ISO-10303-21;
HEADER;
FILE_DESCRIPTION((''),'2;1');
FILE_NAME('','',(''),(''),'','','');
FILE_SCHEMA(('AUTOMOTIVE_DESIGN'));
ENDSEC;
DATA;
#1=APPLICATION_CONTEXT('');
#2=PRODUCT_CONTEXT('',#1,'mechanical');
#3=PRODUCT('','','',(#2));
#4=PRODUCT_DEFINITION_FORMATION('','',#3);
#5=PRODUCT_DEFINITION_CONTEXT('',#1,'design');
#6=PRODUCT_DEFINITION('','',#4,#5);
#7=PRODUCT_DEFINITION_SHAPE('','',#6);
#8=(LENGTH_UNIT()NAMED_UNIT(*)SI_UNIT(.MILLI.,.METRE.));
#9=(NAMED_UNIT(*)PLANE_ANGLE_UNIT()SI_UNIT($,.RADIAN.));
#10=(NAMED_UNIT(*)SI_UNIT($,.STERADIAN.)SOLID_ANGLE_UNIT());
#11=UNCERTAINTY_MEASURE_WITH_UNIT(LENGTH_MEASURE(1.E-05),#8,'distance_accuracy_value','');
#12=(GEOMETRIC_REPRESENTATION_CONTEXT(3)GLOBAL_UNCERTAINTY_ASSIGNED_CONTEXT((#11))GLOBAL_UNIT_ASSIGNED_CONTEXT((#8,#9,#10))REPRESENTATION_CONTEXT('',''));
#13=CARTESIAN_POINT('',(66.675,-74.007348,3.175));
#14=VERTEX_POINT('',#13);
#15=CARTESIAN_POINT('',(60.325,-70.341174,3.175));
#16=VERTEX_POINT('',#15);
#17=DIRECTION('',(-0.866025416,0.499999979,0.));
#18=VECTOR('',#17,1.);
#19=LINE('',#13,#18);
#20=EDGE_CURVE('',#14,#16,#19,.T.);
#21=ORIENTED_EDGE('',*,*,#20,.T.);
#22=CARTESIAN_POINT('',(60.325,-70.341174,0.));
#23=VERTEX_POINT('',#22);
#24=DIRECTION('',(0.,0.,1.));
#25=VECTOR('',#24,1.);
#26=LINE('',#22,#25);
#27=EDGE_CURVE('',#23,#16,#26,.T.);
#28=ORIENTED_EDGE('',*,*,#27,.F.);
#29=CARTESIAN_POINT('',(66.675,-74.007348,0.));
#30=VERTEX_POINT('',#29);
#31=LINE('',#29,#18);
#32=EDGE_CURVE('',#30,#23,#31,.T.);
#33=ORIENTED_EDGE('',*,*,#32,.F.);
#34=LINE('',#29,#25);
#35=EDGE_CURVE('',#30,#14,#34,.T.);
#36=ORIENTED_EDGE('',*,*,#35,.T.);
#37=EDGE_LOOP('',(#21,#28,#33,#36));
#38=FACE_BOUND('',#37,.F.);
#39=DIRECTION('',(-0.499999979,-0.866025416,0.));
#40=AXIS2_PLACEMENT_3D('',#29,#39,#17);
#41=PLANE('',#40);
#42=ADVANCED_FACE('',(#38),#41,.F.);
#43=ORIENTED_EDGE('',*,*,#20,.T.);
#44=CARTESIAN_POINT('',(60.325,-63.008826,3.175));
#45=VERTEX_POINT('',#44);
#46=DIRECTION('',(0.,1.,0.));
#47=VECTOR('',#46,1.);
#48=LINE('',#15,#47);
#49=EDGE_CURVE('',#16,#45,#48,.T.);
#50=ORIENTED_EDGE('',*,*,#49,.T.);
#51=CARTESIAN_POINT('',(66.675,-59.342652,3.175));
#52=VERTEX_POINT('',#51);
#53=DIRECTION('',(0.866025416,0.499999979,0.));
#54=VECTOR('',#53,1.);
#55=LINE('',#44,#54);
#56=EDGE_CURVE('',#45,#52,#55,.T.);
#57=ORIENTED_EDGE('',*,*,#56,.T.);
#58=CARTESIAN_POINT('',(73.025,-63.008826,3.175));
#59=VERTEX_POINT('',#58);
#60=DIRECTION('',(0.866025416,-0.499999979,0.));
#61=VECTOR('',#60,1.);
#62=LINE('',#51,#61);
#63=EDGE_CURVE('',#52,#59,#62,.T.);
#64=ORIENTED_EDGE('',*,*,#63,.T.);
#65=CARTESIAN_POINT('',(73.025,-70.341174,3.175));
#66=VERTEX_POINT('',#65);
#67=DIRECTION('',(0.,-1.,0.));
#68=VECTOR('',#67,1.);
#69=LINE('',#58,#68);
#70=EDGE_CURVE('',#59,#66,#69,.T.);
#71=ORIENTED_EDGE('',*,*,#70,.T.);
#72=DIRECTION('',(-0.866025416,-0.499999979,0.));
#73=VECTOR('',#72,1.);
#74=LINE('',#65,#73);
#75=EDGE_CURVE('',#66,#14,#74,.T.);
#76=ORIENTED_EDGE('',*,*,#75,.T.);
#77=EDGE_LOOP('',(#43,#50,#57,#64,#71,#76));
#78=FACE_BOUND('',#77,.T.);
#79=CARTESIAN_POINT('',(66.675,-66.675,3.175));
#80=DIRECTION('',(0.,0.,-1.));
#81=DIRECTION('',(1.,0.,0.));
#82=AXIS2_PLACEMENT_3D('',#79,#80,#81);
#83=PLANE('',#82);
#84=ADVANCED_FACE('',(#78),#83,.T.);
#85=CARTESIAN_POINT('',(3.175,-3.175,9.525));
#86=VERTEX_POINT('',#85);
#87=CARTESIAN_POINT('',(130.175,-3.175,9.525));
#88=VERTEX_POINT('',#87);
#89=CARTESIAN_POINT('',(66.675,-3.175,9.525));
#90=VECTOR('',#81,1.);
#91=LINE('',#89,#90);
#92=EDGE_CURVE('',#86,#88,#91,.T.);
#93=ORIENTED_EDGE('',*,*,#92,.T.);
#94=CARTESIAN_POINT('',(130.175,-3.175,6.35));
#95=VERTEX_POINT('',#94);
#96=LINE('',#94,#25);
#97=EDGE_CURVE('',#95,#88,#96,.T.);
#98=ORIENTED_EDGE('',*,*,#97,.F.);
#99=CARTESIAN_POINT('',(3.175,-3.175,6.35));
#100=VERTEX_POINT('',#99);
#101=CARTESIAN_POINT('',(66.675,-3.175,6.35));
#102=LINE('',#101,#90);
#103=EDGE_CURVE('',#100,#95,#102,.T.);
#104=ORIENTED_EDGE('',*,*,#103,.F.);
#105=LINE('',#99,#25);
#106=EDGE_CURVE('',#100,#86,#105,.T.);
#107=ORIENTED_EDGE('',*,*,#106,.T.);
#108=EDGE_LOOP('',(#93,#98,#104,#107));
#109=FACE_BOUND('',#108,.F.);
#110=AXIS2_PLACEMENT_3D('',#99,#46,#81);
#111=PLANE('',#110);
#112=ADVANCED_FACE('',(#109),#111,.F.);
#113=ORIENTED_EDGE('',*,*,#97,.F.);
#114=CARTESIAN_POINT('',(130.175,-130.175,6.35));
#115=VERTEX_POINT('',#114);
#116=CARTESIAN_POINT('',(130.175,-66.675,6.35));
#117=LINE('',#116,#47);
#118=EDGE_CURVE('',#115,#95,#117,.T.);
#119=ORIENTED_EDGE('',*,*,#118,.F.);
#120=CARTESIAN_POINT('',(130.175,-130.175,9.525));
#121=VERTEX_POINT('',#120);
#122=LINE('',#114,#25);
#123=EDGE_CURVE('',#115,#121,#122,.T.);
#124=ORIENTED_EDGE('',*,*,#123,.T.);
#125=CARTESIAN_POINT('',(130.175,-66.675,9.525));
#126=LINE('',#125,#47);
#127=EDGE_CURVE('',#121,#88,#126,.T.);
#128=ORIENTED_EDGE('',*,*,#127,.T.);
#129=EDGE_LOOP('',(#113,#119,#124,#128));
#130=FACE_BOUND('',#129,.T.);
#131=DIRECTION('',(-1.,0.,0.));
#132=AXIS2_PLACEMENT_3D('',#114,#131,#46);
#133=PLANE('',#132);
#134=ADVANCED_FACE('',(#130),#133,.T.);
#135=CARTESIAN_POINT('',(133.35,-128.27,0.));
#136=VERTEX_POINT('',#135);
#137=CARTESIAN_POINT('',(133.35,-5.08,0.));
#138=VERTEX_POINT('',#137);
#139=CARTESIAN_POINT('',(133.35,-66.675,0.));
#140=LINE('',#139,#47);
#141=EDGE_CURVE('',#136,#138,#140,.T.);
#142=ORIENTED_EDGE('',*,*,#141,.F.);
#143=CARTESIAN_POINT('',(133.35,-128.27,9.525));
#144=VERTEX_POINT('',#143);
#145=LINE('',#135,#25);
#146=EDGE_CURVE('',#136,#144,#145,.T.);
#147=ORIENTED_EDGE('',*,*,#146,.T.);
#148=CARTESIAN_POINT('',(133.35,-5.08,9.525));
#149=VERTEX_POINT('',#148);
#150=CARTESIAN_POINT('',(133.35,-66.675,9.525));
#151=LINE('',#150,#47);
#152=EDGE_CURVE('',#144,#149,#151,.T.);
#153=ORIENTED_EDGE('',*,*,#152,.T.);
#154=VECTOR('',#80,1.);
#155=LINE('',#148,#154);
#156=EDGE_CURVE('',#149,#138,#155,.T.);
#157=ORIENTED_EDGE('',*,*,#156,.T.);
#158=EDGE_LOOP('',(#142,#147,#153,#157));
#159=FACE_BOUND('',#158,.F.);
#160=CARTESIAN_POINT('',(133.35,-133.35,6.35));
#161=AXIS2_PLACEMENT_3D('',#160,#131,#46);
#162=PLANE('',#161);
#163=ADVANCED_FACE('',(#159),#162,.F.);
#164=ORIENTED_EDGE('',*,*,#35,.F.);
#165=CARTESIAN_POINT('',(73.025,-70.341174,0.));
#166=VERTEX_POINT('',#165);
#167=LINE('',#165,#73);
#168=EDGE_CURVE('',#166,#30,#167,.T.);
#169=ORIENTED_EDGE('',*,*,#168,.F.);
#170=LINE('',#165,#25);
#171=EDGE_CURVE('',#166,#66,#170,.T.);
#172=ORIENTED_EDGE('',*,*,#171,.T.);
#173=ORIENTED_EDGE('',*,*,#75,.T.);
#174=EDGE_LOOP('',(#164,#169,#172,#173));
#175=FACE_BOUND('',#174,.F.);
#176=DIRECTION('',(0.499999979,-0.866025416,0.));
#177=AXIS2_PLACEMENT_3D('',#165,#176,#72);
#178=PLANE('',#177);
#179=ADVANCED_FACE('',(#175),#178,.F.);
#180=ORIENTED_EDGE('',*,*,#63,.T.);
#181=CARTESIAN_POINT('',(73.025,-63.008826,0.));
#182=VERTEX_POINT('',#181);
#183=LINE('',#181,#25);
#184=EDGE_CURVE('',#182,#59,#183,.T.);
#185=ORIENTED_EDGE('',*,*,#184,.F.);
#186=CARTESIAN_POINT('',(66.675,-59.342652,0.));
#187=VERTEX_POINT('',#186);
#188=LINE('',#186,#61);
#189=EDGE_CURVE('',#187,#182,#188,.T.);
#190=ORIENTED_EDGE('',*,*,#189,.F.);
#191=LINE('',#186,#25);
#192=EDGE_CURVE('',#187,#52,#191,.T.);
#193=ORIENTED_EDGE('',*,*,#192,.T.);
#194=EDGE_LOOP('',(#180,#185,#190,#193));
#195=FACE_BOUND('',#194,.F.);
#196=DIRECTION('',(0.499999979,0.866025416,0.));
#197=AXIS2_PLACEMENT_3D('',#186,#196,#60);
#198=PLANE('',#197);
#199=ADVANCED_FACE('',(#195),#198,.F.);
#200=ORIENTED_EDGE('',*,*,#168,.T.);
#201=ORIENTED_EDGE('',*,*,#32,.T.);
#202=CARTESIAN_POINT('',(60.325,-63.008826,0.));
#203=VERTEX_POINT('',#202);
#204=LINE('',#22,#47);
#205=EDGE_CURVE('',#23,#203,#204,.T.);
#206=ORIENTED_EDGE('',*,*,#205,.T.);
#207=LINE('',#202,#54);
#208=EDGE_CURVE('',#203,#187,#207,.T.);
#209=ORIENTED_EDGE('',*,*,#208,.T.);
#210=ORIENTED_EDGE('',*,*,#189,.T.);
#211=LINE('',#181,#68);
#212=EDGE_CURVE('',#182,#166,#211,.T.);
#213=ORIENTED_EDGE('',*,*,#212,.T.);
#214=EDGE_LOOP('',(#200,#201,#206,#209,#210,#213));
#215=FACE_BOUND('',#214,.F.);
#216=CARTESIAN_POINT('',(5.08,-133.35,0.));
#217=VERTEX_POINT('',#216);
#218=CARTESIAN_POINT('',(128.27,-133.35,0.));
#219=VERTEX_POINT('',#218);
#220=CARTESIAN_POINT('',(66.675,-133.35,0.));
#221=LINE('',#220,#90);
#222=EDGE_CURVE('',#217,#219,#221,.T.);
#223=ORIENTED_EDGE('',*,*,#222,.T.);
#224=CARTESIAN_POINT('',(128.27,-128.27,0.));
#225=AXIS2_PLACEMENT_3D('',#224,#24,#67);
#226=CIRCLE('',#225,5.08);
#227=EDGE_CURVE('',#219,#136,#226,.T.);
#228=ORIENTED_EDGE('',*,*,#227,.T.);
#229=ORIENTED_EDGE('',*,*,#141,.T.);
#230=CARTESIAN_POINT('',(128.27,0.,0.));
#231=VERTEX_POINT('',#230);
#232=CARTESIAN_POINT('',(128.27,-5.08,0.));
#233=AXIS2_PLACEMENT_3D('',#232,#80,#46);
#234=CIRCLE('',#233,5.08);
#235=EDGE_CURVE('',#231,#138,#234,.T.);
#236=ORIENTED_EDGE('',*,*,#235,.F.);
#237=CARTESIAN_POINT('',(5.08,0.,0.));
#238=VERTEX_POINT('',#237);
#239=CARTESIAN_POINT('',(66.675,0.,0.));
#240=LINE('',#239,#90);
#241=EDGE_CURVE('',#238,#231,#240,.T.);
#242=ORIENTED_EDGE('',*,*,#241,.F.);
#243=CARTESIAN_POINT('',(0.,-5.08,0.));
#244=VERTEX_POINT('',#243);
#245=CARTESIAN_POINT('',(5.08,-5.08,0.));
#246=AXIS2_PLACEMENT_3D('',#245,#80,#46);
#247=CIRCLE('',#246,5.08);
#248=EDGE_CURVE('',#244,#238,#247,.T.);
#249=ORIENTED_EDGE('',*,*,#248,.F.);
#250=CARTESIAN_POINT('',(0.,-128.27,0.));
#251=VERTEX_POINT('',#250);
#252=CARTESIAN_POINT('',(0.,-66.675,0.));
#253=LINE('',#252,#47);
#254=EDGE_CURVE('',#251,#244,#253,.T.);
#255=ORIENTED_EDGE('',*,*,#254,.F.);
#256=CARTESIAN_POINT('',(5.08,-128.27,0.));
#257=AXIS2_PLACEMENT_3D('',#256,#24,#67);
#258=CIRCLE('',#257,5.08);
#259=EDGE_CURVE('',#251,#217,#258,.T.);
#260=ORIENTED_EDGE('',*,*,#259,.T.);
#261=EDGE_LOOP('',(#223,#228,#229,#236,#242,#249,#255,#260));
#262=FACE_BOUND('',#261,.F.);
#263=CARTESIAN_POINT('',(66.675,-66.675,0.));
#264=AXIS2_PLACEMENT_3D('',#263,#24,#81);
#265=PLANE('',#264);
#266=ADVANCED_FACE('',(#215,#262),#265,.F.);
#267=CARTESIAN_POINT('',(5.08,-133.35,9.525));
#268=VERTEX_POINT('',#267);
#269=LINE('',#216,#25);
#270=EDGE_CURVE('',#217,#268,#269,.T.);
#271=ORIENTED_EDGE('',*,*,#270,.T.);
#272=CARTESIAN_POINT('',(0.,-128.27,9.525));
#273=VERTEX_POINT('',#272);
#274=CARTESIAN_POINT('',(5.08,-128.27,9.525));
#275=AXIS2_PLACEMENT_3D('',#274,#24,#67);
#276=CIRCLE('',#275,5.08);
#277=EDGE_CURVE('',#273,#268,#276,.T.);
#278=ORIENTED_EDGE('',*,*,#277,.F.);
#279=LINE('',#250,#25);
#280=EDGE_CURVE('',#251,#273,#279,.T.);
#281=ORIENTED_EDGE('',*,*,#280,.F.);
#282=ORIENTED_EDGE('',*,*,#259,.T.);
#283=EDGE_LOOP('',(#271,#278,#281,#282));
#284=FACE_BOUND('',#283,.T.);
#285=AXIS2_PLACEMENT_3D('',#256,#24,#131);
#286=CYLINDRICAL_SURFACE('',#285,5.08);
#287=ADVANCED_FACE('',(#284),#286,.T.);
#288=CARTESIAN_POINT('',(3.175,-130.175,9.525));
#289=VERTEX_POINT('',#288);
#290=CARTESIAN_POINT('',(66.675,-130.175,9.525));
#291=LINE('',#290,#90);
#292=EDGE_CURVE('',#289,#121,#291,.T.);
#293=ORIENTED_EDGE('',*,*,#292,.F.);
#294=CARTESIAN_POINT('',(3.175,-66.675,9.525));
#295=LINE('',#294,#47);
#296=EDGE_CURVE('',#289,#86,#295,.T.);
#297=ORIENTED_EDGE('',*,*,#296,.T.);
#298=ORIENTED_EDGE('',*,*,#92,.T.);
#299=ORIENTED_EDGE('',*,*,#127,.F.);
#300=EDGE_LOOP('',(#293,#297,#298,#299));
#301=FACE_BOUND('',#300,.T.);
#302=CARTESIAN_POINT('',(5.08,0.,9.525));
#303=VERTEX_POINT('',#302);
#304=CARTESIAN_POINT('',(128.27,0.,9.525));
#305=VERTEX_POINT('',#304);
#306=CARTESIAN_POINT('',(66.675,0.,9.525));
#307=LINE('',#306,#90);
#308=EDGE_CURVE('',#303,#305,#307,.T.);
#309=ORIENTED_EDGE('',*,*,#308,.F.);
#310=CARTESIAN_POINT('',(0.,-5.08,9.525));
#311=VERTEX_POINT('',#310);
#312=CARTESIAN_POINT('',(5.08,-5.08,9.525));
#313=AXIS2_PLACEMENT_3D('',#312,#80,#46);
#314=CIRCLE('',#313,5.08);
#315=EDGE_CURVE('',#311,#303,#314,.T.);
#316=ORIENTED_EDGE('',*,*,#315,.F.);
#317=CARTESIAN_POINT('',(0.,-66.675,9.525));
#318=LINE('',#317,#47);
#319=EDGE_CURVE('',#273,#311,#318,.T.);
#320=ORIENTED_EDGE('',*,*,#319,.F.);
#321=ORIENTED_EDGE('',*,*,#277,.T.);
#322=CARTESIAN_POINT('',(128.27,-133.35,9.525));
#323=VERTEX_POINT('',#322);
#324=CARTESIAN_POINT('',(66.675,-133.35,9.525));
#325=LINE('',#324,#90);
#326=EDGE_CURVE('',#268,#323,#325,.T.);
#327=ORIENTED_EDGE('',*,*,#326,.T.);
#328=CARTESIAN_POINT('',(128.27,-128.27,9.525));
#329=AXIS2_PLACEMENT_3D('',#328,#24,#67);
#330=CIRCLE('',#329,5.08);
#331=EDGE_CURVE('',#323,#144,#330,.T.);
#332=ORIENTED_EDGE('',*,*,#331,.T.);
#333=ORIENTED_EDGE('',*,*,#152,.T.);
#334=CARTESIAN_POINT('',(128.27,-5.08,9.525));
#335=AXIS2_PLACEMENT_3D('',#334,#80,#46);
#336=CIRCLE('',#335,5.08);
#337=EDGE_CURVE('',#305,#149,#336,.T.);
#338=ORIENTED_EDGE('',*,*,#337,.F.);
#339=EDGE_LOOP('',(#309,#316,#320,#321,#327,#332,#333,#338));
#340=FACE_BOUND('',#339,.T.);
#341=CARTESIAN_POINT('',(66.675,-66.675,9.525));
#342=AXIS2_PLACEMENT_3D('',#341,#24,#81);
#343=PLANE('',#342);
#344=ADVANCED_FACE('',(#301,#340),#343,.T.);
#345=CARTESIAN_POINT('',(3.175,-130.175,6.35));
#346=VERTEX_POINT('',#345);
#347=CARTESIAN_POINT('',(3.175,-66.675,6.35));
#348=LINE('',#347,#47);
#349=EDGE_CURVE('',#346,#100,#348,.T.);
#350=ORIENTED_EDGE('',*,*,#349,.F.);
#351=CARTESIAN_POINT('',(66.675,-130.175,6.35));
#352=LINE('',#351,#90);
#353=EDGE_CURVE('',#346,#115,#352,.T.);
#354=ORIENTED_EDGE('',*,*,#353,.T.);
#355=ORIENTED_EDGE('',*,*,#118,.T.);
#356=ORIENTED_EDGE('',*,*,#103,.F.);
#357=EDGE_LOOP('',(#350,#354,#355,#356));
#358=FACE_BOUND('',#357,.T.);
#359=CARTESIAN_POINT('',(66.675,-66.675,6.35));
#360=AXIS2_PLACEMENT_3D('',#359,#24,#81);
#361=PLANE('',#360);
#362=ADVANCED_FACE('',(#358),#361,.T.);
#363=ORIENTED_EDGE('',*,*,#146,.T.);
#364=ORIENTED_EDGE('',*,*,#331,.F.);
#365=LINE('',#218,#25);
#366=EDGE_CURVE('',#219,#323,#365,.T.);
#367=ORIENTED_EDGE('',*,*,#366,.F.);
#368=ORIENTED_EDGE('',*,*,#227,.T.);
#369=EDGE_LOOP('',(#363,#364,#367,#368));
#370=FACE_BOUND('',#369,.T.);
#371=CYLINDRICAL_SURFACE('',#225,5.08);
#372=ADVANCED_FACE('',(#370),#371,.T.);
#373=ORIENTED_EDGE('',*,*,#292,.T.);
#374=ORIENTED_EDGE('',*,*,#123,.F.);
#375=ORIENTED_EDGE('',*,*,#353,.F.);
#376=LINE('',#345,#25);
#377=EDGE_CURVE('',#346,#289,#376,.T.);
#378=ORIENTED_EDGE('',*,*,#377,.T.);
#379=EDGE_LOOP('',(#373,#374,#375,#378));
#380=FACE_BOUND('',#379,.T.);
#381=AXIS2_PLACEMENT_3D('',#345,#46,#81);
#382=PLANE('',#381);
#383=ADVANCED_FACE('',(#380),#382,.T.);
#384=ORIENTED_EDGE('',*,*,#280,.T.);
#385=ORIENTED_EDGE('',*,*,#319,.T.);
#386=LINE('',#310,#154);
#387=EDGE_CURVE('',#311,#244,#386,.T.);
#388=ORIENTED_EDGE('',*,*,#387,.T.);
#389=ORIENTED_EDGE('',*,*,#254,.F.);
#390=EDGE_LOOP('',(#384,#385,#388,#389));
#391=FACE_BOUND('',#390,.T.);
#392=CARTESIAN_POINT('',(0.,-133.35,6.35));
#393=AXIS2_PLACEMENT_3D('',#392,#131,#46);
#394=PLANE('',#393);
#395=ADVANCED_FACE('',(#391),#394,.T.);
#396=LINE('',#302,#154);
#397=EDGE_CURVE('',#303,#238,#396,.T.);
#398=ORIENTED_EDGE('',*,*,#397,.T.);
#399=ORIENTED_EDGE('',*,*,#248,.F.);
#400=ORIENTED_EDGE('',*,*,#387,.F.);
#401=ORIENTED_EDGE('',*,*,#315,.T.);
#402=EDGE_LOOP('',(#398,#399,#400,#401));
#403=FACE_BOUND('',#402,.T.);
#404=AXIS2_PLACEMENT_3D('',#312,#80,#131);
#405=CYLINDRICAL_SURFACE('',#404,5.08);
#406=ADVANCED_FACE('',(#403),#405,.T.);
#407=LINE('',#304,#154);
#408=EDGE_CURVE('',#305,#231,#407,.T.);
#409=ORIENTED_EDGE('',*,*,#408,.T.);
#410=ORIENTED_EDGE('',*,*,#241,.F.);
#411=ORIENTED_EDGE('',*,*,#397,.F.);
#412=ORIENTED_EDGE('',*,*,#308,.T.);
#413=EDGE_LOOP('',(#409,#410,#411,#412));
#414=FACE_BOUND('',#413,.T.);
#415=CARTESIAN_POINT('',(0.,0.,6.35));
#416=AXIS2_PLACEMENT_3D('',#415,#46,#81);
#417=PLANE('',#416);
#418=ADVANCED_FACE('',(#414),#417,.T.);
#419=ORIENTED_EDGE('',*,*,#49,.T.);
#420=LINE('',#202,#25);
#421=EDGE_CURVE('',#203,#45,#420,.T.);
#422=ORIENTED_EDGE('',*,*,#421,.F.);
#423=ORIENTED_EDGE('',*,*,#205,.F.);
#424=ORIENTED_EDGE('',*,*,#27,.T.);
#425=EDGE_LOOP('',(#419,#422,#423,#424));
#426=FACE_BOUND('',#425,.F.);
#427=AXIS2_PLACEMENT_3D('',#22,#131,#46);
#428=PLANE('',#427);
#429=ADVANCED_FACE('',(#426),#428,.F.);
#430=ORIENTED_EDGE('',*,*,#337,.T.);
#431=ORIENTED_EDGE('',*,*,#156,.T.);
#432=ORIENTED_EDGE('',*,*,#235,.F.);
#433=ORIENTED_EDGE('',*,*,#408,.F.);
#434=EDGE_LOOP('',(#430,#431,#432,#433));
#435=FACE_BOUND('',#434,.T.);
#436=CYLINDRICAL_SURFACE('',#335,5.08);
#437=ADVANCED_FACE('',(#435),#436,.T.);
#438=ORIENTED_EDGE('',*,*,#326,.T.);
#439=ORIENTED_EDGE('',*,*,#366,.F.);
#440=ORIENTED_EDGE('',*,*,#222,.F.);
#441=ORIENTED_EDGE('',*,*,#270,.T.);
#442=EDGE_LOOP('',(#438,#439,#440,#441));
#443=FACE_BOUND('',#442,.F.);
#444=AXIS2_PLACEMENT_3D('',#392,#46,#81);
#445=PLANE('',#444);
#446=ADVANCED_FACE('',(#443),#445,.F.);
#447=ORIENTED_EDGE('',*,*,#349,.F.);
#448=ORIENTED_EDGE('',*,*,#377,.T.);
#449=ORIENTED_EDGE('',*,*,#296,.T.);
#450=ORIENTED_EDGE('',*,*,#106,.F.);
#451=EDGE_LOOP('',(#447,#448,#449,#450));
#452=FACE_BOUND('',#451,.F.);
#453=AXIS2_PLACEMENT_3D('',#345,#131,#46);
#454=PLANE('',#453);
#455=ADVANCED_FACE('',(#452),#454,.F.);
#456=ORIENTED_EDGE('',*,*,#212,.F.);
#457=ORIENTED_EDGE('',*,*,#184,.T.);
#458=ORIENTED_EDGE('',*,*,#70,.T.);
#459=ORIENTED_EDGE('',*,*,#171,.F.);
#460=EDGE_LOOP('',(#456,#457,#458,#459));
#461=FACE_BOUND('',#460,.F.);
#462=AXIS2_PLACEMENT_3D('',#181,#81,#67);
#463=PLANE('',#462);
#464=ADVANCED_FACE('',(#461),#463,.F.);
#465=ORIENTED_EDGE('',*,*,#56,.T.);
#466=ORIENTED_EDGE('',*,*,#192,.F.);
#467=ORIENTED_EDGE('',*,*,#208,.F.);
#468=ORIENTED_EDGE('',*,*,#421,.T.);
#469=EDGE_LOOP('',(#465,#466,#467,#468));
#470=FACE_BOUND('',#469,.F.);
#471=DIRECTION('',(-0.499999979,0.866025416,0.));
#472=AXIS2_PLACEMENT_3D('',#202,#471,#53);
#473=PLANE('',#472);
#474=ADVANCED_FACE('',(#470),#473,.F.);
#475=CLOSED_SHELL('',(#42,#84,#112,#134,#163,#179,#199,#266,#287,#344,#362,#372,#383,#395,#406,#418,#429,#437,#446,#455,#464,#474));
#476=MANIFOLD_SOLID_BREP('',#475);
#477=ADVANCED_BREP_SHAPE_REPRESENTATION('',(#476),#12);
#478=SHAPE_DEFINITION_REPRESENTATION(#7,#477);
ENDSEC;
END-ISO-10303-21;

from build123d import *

# Parameters (mm, degrees)
F0_W     = 133.35
F0_H     = 133.35
F1_DEPTH = 6.35
F2_W     = 133.35
F2_H     = 133.35
F2_W_2   = 127
F2_H_2   = 127
F3_DEPTH = 3.175
F6_DEPTH = 3.175
F7_R     = 5.08


with BuildPart() as f1:
    # F0 (on Top) → F1 (new body)
    with BuildSketch(Plane.XY):
        with Locations((66.675, -66.675)):
            Rectangle(F0_W, F0_H)
    extrude(amount=F1_DEPTH)

    # F2 (on face) → F3 (join)
    with BuildSketch(Plane.XY.offset(6.35)):
        with Locations((66.675, -66.675)):
            Rectangle(F2_W, F2_H)
        with Locations((66.675, -66.675)):
            Rectangle(F2_W_2, F2_H_2, mode=Mode.SUBTRACT)
    extrude(amount=F3_DEPTH)

    # F5 (on face) → F6 (cut)
    with BuildSketch(Plane(origin=(0, 0, 0), x_dir=(1, 0, 0), z_dir=(0, 0, -1))):
        Polygon((73.025, 63.008826), (73.025, 70.341174), (66.675, 74.007348), (60.325, 70.341174), (60.325, 63.008826), (66.675, 59.342652), align=None)
    extrude(amount=-F6_DEPTH, mode=Mode.SUBTRACT)

    # F7
    f7_edges = [f1.edges().sort_by_distance(p)[0] for p in [
        (133.35, -133.35, 4.7625),
        (133.35, 0, 4.7625),
        (0, 0, 4.7625),
        (0, -133.35, 4.7625),
    ]]
    fillet(f7_edges, radius=F7_R)


solid = f1.part
